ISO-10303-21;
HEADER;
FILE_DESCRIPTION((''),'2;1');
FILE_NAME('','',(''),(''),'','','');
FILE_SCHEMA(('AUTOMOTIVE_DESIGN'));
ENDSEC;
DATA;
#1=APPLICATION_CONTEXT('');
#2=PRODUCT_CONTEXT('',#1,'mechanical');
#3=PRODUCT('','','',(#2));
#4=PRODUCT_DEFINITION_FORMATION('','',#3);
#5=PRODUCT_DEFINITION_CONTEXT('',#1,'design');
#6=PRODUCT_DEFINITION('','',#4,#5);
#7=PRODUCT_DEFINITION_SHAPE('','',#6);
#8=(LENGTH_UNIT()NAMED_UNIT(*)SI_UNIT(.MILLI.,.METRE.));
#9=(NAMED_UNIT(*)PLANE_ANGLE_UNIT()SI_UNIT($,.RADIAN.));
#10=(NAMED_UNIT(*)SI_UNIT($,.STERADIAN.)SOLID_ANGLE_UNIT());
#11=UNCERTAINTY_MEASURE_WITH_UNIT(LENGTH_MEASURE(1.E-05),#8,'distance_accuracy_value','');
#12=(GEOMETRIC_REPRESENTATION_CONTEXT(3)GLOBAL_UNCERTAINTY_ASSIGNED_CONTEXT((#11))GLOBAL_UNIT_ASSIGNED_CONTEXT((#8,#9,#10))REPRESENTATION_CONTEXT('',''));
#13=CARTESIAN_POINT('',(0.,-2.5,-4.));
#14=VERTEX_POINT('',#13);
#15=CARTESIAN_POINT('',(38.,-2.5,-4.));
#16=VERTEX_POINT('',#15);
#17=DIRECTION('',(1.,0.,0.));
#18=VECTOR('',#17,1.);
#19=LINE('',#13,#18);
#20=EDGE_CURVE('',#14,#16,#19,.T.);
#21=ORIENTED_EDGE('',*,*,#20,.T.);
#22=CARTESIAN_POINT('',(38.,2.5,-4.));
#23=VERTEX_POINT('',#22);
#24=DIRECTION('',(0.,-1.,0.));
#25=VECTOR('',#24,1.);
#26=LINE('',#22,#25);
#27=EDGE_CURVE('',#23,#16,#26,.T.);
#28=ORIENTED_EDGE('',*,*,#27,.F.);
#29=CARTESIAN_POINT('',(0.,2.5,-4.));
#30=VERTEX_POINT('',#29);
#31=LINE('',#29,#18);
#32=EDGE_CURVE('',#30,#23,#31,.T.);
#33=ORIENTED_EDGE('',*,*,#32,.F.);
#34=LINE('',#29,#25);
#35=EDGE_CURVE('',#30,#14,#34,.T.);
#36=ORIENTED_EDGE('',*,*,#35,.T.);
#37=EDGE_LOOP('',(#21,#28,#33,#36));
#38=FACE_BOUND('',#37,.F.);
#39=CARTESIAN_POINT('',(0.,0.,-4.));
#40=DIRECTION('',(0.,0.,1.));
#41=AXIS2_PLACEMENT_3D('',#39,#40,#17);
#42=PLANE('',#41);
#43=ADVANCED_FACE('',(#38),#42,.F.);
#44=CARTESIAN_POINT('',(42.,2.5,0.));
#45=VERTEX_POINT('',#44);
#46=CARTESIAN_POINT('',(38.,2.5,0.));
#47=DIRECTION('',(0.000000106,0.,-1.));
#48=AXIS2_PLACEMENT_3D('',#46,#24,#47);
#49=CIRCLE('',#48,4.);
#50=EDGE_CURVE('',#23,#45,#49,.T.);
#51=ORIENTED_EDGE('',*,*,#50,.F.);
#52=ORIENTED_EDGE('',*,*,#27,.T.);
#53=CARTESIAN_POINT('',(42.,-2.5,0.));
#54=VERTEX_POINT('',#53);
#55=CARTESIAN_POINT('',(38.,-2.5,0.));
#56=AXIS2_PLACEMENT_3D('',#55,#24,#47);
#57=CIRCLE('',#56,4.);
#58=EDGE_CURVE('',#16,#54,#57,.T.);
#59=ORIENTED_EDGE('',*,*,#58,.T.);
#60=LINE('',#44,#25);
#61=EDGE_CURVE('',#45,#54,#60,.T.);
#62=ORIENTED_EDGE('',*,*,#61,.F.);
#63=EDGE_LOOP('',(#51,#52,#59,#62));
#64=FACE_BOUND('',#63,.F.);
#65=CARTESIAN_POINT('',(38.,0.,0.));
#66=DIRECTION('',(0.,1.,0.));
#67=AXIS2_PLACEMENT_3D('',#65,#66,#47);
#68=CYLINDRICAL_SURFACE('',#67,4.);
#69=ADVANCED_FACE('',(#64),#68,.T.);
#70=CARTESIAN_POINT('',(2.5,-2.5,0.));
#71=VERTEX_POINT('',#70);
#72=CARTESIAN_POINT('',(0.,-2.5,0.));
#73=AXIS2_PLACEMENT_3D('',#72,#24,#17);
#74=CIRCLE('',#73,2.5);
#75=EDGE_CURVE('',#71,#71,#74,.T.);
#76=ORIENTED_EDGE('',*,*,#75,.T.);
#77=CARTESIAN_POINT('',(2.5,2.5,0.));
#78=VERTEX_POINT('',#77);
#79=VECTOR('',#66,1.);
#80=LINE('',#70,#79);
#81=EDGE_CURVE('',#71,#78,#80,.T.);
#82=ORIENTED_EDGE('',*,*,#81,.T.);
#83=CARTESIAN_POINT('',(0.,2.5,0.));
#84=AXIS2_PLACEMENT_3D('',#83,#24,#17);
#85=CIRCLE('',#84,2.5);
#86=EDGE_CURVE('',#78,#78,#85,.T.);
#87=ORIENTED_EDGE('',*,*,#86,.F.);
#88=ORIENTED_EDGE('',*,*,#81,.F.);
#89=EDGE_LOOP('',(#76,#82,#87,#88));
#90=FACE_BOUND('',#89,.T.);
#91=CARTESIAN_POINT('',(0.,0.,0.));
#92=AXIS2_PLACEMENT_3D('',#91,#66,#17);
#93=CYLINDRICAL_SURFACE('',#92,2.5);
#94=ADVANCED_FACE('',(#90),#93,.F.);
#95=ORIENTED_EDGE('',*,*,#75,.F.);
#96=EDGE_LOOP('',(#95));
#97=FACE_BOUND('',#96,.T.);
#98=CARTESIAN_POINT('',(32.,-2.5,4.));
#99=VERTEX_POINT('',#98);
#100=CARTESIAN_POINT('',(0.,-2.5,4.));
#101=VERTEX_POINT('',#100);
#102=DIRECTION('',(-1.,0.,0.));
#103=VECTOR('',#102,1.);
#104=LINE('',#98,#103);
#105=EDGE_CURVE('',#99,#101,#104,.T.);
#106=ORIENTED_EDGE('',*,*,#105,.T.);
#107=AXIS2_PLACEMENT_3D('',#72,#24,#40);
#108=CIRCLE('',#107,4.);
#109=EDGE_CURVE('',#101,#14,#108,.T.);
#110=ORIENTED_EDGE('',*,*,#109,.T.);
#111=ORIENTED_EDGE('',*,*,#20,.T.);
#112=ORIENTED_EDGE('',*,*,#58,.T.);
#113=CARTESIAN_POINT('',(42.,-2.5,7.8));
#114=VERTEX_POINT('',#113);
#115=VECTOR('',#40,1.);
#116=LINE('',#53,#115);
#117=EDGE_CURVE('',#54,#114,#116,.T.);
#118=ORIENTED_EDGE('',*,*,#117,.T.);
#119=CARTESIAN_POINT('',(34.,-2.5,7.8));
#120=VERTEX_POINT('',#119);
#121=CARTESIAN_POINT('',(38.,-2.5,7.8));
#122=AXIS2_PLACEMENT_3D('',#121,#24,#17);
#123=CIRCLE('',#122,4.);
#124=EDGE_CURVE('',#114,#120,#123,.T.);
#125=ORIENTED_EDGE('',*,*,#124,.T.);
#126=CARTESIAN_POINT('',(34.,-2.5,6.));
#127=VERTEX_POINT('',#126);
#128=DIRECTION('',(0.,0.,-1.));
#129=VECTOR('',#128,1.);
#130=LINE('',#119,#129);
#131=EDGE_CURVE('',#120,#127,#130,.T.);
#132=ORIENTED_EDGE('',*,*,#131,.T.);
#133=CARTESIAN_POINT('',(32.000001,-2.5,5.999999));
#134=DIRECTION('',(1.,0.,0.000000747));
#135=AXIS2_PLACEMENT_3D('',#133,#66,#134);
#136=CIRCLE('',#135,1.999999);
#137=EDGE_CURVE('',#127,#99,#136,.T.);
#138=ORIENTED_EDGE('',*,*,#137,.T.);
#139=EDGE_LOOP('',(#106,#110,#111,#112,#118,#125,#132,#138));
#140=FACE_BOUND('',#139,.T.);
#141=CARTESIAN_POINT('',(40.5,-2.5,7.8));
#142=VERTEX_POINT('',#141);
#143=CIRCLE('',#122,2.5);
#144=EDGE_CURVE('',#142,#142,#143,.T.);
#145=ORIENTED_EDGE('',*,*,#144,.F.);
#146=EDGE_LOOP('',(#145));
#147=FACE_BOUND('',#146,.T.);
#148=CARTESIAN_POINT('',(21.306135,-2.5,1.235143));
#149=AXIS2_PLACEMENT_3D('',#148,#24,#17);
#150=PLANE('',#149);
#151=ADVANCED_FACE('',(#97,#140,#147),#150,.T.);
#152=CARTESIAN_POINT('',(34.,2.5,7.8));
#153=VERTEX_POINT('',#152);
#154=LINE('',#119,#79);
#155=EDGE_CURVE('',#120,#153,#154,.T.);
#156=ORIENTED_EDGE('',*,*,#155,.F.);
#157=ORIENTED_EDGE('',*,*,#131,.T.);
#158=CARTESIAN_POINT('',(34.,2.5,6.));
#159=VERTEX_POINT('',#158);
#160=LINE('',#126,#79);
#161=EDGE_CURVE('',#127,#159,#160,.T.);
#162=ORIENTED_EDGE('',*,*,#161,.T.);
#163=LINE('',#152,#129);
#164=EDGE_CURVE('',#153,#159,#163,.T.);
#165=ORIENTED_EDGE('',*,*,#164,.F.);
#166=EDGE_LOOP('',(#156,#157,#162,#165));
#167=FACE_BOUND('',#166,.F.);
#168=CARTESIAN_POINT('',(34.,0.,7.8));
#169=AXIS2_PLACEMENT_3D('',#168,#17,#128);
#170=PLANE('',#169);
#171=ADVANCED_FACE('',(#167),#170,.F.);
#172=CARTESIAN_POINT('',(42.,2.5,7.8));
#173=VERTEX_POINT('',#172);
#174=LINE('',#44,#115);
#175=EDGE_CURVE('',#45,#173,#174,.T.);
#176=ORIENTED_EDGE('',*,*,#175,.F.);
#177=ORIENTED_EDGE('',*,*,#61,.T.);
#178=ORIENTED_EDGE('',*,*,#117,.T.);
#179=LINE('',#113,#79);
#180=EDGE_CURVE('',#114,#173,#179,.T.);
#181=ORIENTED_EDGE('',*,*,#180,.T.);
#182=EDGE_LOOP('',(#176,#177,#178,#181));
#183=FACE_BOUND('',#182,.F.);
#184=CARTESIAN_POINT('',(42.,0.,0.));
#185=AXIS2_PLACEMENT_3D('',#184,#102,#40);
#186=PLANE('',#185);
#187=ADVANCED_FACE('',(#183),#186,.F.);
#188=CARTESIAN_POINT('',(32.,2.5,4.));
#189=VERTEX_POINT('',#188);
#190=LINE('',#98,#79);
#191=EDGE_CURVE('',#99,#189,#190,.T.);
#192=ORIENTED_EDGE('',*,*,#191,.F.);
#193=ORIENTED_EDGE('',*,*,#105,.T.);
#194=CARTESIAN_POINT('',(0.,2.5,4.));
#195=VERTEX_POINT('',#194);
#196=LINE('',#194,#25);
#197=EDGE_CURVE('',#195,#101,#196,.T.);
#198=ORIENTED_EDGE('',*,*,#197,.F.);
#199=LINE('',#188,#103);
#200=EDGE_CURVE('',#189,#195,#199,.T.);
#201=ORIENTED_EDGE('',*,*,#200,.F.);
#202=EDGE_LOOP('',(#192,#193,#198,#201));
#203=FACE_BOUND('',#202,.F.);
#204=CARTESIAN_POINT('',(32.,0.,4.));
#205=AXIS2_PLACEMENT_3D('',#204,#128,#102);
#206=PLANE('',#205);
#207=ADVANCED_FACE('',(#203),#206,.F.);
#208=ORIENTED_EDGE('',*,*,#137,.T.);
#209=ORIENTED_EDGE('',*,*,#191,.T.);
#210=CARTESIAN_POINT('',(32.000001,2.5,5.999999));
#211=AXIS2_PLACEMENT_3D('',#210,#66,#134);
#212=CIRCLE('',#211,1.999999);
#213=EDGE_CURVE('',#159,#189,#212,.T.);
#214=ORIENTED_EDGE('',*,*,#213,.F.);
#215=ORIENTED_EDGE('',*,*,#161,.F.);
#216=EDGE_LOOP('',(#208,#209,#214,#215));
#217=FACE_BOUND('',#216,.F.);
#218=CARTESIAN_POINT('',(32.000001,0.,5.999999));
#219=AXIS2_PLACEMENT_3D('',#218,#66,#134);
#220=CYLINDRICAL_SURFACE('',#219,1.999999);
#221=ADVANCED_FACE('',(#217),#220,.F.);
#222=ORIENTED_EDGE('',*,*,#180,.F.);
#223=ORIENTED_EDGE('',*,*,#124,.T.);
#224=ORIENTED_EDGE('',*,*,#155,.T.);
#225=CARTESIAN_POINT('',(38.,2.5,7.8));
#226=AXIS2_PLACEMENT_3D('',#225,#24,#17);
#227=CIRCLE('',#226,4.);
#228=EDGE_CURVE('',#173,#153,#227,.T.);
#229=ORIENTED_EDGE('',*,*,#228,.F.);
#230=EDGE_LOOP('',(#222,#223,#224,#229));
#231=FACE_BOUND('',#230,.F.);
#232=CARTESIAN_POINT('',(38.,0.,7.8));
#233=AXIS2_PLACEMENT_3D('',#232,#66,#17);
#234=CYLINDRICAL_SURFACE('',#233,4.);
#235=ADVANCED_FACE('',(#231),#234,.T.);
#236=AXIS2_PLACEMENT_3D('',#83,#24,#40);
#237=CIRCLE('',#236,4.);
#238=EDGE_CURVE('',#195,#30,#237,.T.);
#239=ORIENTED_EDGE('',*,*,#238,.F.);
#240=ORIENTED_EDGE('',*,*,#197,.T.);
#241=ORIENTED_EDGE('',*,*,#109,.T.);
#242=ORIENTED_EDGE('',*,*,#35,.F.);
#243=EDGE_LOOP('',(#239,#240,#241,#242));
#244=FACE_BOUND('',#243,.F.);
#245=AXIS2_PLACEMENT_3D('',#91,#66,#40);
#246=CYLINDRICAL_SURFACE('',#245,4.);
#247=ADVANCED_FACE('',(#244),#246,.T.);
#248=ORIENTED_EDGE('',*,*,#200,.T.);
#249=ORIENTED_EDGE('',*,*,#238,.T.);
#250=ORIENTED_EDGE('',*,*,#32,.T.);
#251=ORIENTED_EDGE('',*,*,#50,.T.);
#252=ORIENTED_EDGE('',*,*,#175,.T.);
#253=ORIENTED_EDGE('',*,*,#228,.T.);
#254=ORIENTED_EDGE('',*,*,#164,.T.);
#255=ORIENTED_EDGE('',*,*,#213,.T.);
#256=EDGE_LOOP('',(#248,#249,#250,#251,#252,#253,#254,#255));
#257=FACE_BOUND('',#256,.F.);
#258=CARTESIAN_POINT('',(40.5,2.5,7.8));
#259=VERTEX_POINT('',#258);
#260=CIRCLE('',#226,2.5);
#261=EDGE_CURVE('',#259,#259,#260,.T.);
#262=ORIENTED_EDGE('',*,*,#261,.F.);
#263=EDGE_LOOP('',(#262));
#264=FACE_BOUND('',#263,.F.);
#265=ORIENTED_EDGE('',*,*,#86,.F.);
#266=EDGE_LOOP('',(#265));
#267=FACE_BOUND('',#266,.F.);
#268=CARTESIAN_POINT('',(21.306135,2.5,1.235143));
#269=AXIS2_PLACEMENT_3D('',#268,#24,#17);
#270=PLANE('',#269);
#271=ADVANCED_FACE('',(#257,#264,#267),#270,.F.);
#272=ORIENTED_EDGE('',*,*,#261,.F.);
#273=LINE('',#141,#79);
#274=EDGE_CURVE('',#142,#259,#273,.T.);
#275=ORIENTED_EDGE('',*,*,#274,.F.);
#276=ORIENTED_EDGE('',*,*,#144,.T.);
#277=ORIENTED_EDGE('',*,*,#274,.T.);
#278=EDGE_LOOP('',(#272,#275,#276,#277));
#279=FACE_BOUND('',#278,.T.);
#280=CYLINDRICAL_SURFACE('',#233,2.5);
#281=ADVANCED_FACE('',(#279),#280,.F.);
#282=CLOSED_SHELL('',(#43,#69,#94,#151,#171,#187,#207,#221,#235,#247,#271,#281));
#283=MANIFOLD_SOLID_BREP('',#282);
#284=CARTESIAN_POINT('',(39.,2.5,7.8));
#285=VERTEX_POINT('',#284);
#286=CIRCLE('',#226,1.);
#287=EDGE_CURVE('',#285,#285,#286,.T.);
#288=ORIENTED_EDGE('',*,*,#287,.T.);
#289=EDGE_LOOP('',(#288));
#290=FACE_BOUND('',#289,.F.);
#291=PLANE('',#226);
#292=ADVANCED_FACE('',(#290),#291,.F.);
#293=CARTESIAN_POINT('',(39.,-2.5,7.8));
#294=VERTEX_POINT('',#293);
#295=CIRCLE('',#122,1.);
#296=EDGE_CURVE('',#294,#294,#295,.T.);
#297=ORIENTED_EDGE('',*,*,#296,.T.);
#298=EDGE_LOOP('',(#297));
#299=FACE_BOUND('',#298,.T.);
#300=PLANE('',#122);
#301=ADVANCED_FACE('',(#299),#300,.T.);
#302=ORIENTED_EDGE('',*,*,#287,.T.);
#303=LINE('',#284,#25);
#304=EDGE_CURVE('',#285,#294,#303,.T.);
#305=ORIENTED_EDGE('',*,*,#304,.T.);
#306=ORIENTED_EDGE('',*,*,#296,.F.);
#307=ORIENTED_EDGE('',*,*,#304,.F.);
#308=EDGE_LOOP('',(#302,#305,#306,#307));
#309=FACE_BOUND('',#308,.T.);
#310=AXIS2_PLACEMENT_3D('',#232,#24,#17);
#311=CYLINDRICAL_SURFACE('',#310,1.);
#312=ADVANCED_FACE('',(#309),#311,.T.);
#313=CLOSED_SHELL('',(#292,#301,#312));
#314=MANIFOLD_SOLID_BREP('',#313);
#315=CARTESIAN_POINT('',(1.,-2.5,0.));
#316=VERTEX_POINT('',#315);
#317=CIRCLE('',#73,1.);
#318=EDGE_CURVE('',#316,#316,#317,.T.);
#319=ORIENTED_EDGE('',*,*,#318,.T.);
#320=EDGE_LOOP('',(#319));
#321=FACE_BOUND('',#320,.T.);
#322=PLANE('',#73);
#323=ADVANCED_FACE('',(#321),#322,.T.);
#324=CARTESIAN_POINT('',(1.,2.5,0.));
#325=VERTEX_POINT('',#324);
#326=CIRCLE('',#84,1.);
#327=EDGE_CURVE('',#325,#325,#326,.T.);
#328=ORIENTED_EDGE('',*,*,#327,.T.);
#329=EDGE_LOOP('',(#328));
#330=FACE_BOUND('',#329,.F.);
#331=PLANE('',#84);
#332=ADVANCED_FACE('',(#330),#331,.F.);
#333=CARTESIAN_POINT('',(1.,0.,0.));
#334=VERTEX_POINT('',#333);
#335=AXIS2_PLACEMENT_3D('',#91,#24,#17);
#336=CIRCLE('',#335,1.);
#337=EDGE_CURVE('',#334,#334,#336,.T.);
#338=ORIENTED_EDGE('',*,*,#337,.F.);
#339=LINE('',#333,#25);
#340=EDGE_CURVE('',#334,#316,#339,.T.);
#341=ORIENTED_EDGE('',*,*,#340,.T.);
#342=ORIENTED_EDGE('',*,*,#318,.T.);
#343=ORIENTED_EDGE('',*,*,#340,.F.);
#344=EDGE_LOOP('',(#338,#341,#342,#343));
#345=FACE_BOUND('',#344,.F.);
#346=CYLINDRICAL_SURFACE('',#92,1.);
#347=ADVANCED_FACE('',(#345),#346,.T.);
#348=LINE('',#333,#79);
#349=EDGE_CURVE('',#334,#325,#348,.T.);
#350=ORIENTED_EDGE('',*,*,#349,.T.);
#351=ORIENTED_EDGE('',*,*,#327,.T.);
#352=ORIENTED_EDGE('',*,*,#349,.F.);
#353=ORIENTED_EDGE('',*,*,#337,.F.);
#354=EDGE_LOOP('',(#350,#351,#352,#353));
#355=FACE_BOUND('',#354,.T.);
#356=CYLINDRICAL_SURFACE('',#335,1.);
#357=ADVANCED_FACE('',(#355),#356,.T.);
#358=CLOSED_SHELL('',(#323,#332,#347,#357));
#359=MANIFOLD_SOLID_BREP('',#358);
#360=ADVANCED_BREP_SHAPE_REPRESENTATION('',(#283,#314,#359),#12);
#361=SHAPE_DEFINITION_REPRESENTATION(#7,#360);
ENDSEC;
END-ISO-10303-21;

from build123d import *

# Parameters (mm, degrees)
F0_R     = 2.5
F0_R_2   = 1
F1_DEPTH = 2.5


with BuildPart() as f1:
    # F0 (on Front) → F1 (new body, symmetric)
    with BuildSketch(Plane.XZ):
        with BuildLine():
            Line((32, 4), (0, 4))
            ThreePointArc((0, 4), (-4, 0), (0, -4))
            Line((0, -4), (38, -4))
            ThreePointArc((38, -4), (40.828427, -2.828427), (42, 0))
            Line((42, 0), (42, 7.8))
            ThreePointArc((42, 7.8), (38, 11.8), (34, 7.8))
            Line((34, 7.8), (34, 6))
            ThreePointArc((34, 6), (33.414214, 4.585786), (32, 4))
        make_face()
        Circle(F0_R, mode=Mode.SUBTRACT)
        with Locations((38, 7.8)):
            Circle(F0_R, mode=Mode.SUBTRACT)
        Circle(F0_R_2)
        with Locations((38, 7.8)):
            Circle(F0_R_2)
    extrude(amount=F1_DEPTH, both=True)


solid = f1.part
